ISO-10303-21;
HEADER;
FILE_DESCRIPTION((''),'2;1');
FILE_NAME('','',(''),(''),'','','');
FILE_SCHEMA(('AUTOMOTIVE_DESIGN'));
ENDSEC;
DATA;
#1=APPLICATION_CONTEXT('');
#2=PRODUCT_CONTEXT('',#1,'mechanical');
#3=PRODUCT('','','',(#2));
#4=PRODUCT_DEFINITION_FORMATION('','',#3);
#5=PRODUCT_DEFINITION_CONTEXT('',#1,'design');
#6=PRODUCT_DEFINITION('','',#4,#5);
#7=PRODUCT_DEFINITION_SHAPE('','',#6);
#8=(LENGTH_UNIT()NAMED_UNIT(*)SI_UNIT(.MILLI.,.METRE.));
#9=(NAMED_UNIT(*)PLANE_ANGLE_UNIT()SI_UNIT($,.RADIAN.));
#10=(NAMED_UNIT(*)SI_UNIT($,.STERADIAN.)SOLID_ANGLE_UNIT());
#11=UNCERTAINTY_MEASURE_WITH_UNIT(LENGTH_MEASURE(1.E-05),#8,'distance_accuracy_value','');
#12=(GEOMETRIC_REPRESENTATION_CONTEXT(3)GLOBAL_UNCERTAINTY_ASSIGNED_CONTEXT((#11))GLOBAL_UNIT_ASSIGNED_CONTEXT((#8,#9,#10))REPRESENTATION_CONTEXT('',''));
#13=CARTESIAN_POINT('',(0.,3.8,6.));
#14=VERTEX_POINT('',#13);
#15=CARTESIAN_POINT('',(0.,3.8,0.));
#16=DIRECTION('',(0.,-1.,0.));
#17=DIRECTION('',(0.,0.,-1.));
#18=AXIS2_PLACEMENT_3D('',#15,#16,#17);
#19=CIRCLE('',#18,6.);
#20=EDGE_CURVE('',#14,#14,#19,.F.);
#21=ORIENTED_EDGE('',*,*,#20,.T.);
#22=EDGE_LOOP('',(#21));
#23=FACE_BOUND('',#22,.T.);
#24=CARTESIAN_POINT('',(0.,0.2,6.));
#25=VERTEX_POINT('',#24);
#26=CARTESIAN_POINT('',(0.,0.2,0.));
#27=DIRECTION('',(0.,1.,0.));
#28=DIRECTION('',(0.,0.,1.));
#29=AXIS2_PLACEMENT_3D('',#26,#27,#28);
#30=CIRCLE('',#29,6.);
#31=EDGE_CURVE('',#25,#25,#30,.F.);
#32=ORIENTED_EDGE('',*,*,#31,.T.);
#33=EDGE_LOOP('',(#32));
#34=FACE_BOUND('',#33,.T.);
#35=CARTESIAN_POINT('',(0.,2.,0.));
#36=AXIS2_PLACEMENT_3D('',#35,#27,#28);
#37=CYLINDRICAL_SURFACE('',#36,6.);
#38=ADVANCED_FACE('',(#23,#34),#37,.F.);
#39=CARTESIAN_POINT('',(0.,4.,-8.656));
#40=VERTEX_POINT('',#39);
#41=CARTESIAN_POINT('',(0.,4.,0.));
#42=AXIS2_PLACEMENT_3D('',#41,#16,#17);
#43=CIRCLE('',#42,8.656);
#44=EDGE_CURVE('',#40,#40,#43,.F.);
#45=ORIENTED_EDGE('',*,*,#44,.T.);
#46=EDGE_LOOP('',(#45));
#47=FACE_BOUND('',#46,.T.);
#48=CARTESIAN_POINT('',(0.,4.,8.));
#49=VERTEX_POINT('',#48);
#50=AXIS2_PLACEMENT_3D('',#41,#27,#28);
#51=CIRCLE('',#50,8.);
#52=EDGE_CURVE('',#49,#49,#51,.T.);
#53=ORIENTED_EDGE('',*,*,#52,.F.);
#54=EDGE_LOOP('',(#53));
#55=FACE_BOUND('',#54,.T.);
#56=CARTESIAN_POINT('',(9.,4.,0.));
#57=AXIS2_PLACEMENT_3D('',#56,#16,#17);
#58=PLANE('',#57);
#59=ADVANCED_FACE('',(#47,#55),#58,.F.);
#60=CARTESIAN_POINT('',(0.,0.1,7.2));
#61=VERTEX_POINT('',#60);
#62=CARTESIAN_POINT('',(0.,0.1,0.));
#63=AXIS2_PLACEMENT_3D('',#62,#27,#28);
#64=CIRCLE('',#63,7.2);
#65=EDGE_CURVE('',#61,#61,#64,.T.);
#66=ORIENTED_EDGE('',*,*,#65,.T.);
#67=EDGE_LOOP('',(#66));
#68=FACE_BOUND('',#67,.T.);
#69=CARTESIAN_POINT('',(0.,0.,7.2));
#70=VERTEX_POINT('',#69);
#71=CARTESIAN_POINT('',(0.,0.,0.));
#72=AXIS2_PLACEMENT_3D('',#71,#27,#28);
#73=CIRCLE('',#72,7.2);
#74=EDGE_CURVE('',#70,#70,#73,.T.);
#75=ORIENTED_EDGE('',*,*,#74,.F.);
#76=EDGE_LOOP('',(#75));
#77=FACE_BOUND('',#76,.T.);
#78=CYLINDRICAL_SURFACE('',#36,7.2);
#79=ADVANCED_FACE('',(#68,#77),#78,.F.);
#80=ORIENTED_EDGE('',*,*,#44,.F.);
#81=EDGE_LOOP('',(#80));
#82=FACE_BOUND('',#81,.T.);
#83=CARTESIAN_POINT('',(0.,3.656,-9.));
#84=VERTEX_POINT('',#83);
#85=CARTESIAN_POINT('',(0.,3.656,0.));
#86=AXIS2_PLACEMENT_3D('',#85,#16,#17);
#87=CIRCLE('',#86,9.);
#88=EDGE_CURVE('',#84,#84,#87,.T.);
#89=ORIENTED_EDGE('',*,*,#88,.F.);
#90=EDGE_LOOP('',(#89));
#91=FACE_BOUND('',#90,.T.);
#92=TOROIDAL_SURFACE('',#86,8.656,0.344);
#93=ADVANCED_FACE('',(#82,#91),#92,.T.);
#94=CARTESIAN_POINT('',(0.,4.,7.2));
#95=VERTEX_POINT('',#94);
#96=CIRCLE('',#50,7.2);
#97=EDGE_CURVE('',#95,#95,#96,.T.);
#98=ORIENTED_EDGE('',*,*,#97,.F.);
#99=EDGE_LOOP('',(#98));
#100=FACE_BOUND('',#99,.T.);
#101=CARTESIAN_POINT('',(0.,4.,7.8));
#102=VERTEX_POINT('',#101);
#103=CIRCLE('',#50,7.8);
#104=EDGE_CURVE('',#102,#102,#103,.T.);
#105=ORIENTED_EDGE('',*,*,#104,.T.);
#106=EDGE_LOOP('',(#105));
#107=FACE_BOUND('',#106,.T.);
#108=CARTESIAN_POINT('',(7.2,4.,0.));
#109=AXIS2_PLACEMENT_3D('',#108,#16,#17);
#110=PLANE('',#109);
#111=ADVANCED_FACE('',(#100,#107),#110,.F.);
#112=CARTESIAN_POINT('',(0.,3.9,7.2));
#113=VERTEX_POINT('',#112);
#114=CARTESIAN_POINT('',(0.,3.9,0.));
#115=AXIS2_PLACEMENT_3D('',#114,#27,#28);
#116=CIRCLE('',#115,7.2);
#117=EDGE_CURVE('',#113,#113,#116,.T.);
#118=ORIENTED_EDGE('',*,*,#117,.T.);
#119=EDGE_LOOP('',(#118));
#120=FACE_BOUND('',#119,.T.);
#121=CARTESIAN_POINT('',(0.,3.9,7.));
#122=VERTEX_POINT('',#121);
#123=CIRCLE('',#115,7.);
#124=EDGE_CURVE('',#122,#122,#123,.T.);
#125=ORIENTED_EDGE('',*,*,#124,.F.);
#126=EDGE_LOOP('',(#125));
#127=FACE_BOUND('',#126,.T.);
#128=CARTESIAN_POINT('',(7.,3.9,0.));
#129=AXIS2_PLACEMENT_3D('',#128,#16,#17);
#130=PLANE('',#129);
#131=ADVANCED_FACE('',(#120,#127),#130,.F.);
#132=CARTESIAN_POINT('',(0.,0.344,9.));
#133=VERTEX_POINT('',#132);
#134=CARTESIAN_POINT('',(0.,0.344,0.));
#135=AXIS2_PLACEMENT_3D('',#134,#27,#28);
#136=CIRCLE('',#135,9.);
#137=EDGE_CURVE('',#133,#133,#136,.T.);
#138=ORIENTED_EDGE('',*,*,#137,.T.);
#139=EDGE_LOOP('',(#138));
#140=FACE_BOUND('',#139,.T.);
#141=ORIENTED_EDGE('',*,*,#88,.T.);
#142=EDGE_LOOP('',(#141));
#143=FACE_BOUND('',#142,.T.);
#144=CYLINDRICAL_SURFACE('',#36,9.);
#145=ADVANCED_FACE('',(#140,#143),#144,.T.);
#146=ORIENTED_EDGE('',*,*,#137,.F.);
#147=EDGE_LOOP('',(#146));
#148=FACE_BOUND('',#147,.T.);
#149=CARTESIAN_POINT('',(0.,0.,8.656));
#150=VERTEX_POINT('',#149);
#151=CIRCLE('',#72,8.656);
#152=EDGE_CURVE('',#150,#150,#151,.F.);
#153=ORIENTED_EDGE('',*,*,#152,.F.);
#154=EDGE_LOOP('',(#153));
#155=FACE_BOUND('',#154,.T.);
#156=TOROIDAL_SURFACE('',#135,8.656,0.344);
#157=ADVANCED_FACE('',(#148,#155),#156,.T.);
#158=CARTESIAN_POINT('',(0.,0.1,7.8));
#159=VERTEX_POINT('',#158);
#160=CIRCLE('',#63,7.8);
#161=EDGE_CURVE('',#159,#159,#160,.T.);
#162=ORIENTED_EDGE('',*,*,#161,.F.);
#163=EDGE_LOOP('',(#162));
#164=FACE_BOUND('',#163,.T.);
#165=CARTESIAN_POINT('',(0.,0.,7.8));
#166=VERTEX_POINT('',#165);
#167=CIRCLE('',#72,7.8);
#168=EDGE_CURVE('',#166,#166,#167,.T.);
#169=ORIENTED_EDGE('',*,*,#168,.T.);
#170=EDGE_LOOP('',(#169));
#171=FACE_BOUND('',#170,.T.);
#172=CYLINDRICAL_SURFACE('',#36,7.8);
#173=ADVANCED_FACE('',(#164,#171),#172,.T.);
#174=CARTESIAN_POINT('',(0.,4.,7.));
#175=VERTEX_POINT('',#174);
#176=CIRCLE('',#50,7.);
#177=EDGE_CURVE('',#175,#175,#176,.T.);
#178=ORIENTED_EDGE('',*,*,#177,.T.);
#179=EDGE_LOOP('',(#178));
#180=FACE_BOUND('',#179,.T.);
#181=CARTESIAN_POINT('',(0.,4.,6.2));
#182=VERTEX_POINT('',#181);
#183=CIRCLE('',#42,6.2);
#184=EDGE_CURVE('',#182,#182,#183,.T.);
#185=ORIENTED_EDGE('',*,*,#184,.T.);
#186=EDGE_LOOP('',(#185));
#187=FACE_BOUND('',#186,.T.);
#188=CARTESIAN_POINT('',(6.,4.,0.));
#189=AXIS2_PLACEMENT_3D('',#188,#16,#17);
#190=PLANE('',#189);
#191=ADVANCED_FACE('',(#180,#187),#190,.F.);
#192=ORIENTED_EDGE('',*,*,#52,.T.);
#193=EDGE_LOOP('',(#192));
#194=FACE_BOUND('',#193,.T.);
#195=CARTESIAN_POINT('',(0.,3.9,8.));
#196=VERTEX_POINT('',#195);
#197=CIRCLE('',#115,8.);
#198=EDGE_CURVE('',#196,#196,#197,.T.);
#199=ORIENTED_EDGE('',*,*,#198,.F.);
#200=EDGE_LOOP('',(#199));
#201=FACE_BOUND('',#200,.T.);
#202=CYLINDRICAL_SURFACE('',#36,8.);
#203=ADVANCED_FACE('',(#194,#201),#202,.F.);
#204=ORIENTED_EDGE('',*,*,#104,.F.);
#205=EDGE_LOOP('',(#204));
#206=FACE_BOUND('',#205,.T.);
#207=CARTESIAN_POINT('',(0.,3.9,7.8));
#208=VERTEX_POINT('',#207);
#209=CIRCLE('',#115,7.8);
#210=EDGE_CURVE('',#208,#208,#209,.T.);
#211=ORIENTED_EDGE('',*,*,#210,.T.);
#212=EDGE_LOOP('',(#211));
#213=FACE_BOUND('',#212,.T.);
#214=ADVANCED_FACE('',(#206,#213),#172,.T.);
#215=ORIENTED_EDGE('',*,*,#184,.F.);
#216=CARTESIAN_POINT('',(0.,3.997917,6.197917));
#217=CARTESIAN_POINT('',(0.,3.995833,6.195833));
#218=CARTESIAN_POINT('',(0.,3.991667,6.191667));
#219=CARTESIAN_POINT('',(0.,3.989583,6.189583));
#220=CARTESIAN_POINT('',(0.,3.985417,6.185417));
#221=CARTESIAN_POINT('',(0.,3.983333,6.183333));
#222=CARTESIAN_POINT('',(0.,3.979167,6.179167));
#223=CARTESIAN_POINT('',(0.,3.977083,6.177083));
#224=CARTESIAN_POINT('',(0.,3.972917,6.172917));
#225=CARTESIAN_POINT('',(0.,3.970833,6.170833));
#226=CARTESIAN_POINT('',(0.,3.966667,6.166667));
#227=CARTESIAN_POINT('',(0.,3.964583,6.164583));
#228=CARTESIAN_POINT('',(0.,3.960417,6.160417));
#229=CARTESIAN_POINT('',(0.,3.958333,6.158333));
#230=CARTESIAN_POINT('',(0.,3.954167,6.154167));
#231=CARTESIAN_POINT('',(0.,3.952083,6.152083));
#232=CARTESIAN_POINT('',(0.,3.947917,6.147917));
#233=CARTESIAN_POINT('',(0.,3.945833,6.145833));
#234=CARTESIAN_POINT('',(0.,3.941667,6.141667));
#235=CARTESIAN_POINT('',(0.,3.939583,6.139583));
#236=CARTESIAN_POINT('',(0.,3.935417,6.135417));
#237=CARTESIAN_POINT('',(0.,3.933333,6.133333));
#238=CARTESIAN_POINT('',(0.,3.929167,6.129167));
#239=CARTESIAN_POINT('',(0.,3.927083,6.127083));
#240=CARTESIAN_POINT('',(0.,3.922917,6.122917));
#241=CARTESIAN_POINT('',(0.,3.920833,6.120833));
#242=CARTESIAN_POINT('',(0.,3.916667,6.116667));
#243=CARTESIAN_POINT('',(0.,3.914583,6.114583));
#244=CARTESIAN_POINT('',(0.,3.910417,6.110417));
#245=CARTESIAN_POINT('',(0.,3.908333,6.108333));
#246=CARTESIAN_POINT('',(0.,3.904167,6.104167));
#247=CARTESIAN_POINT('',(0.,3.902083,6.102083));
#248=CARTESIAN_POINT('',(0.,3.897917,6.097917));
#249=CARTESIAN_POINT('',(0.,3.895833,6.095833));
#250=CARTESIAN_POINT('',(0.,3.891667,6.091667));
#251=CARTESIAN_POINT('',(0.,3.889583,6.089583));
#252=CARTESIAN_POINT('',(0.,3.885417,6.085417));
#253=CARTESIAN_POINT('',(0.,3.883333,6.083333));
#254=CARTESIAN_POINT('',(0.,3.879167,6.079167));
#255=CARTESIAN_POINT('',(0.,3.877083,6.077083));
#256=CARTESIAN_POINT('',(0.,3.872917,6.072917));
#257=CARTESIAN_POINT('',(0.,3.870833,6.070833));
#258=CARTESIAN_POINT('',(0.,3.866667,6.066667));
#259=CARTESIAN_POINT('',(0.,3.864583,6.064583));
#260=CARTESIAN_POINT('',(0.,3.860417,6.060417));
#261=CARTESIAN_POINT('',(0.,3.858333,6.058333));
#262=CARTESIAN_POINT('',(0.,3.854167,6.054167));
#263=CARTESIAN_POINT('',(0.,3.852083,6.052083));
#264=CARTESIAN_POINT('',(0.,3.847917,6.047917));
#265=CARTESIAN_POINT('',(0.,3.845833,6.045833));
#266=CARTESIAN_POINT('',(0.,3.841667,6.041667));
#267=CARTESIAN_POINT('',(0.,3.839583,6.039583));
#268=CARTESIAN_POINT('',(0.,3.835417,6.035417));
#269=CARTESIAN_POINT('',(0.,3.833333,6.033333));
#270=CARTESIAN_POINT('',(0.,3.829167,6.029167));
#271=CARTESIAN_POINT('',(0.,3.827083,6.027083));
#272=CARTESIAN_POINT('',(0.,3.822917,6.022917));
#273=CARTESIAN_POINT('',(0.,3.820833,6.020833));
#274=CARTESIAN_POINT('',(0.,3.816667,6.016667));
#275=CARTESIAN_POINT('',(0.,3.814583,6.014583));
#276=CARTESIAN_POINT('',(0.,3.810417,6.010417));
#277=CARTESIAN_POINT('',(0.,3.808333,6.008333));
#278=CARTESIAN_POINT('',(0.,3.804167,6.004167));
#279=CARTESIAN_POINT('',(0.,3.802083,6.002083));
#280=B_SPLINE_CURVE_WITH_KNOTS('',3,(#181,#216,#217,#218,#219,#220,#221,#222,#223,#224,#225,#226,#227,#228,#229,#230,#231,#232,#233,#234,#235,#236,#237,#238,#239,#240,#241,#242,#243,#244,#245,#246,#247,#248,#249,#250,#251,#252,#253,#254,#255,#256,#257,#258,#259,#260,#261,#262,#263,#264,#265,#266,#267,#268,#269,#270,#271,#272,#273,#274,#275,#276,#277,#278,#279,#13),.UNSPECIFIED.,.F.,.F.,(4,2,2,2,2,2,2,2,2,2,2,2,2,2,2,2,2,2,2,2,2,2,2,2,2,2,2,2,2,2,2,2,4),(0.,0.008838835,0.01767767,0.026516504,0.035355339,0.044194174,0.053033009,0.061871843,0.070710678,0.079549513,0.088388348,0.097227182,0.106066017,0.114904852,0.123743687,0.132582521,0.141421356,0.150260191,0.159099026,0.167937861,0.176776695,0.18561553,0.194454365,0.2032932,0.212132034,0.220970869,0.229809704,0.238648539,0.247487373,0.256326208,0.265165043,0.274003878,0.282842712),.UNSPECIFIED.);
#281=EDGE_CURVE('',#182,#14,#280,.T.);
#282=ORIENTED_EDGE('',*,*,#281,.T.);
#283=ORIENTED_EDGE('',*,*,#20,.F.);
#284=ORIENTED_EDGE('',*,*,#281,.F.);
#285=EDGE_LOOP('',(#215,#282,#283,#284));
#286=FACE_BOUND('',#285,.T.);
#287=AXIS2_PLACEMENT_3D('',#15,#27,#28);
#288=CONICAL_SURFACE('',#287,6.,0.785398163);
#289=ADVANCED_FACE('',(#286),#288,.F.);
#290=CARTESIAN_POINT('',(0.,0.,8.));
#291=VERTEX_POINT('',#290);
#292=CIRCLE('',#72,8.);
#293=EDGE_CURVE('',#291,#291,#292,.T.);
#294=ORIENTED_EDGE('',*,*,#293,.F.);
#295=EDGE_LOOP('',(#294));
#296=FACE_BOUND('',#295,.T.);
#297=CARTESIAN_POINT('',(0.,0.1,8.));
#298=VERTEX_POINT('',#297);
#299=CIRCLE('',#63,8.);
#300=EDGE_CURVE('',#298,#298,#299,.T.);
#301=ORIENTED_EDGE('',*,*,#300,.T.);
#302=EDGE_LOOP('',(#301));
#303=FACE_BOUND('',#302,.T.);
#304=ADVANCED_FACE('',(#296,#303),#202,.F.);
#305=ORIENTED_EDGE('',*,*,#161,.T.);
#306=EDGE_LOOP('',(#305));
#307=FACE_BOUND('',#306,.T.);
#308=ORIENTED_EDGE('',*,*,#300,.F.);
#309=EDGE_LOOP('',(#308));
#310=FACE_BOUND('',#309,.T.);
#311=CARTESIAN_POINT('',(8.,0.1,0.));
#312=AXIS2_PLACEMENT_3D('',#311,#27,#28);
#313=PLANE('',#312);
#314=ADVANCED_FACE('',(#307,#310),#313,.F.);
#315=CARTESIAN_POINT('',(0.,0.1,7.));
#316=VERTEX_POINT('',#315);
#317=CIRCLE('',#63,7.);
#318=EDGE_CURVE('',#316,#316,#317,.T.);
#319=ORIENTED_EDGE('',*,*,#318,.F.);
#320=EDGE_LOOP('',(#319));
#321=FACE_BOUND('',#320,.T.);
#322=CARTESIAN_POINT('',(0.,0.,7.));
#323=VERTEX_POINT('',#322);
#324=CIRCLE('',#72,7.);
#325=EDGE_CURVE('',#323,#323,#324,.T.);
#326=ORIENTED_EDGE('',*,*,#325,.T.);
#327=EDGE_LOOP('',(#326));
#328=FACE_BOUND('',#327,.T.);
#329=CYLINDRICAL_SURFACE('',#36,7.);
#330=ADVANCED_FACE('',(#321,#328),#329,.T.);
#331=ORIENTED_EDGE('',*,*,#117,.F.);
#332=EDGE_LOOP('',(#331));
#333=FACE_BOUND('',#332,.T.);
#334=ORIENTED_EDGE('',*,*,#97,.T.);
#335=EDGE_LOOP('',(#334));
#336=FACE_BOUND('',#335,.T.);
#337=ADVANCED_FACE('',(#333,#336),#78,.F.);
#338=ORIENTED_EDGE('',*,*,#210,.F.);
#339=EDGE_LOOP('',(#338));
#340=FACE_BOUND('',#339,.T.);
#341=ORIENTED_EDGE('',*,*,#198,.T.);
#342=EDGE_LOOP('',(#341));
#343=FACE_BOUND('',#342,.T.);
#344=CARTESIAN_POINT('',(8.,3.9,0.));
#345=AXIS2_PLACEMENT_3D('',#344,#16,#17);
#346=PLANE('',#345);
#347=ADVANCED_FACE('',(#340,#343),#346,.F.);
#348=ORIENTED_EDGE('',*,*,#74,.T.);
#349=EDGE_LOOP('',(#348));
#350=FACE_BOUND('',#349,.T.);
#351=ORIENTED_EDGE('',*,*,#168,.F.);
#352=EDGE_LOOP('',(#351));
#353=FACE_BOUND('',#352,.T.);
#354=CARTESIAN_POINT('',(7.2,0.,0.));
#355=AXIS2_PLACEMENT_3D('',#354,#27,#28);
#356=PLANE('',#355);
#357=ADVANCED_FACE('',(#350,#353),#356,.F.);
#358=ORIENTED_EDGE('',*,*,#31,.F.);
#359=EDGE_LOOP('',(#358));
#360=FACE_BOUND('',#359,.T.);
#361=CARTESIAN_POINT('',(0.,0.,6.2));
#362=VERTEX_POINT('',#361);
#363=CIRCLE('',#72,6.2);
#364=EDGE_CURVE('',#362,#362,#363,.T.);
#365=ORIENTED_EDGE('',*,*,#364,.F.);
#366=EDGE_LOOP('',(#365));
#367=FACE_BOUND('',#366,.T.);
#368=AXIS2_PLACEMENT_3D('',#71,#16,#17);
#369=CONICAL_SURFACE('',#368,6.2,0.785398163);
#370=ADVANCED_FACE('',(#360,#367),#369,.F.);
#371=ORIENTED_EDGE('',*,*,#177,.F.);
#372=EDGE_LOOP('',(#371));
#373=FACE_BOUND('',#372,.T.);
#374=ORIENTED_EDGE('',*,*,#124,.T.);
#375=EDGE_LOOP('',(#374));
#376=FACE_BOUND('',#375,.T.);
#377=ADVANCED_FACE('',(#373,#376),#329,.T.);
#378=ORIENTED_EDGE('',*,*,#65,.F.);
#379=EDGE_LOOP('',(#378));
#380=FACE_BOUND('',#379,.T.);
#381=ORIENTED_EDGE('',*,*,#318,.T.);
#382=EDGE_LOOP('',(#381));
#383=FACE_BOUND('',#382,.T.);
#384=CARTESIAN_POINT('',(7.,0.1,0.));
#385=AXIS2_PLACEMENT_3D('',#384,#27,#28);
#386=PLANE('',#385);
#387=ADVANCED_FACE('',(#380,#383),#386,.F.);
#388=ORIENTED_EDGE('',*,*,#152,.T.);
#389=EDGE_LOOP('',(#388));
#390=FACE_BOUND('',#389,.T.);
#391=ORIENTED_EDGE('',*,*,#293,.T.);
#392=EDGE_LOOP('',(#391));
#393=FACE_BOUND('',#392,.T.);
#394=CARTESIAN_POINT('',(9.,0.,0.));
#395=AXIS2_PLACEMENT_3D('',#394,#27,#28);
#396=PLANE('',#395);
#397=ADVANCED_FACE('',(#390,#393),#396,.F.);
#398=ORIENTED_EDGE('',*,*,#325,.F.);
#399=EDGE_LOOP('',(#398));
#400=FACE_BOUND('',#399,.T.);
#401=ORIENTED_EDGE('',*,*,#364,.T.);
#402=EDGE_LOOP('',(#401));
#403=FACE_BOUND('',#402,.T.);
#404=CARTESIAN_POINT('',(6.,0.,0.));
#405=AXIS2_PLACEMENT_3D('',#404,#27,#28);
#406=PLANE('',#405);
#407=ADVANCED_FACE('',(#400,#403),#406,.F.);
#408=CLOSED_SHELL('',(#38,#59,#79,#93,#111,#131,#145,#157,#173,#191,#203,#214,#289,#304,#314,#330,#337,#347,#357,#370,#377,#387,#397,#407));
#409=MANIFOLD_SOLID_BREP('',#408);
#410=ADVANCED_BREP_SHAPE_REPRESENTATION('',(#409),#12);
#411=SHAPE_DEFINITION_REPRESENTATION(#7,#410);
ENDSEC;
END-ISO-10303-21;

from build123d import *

# Parameters (mm, degrees)
FILLET2_R     = 0.344
CHAMFER2_SIZE = 0.2


with BuildPart() as part:
    # Sketch1 → Revolve1 (revolve)
    with BuildSketch(Plane.XY, mode=Mode.PRIVATE) as revolve1_sk:
        Polygon((9, 0), (9, 4), (8, 4), (8, 3.9), (7.8, 3.9), (7.8, 4), (7.2, 4), (7.2, 3.9), (7, 3.9), (7, 4), (6, 4), (6, 0), (7, 0), (7, 0.1), (7.2, 0.1), (7.2, 0), (7.8, 0), (7.8, 0.1), (8, 0.1), (8, 0), align=None)
    revolve(revolve1_sk.sketch.rotate(Axis((0, 2, 0), (0, -1, 0)), 90), axis=Axis((0, 2, 0), (0, -1, 0)))

    # Fillet2
    fillet2_edges = [part.edges().sort_by_distance(p)[0] for p in [
        (0, 0, -9),
        (0, 4, -9),
    ]]
    fillet(fillet2_edges, radius=FILLET2_R)

    # Chamfer2
    chamfer2_edges = [part.edges().sort_by_distance(p)[0] for p in [
        (0, 4, -6),
        (0, 0, -6),
    ]]
    chamfer(chamfer2_edges, length=CHAMFER2_SIZE)


solid = part.part
